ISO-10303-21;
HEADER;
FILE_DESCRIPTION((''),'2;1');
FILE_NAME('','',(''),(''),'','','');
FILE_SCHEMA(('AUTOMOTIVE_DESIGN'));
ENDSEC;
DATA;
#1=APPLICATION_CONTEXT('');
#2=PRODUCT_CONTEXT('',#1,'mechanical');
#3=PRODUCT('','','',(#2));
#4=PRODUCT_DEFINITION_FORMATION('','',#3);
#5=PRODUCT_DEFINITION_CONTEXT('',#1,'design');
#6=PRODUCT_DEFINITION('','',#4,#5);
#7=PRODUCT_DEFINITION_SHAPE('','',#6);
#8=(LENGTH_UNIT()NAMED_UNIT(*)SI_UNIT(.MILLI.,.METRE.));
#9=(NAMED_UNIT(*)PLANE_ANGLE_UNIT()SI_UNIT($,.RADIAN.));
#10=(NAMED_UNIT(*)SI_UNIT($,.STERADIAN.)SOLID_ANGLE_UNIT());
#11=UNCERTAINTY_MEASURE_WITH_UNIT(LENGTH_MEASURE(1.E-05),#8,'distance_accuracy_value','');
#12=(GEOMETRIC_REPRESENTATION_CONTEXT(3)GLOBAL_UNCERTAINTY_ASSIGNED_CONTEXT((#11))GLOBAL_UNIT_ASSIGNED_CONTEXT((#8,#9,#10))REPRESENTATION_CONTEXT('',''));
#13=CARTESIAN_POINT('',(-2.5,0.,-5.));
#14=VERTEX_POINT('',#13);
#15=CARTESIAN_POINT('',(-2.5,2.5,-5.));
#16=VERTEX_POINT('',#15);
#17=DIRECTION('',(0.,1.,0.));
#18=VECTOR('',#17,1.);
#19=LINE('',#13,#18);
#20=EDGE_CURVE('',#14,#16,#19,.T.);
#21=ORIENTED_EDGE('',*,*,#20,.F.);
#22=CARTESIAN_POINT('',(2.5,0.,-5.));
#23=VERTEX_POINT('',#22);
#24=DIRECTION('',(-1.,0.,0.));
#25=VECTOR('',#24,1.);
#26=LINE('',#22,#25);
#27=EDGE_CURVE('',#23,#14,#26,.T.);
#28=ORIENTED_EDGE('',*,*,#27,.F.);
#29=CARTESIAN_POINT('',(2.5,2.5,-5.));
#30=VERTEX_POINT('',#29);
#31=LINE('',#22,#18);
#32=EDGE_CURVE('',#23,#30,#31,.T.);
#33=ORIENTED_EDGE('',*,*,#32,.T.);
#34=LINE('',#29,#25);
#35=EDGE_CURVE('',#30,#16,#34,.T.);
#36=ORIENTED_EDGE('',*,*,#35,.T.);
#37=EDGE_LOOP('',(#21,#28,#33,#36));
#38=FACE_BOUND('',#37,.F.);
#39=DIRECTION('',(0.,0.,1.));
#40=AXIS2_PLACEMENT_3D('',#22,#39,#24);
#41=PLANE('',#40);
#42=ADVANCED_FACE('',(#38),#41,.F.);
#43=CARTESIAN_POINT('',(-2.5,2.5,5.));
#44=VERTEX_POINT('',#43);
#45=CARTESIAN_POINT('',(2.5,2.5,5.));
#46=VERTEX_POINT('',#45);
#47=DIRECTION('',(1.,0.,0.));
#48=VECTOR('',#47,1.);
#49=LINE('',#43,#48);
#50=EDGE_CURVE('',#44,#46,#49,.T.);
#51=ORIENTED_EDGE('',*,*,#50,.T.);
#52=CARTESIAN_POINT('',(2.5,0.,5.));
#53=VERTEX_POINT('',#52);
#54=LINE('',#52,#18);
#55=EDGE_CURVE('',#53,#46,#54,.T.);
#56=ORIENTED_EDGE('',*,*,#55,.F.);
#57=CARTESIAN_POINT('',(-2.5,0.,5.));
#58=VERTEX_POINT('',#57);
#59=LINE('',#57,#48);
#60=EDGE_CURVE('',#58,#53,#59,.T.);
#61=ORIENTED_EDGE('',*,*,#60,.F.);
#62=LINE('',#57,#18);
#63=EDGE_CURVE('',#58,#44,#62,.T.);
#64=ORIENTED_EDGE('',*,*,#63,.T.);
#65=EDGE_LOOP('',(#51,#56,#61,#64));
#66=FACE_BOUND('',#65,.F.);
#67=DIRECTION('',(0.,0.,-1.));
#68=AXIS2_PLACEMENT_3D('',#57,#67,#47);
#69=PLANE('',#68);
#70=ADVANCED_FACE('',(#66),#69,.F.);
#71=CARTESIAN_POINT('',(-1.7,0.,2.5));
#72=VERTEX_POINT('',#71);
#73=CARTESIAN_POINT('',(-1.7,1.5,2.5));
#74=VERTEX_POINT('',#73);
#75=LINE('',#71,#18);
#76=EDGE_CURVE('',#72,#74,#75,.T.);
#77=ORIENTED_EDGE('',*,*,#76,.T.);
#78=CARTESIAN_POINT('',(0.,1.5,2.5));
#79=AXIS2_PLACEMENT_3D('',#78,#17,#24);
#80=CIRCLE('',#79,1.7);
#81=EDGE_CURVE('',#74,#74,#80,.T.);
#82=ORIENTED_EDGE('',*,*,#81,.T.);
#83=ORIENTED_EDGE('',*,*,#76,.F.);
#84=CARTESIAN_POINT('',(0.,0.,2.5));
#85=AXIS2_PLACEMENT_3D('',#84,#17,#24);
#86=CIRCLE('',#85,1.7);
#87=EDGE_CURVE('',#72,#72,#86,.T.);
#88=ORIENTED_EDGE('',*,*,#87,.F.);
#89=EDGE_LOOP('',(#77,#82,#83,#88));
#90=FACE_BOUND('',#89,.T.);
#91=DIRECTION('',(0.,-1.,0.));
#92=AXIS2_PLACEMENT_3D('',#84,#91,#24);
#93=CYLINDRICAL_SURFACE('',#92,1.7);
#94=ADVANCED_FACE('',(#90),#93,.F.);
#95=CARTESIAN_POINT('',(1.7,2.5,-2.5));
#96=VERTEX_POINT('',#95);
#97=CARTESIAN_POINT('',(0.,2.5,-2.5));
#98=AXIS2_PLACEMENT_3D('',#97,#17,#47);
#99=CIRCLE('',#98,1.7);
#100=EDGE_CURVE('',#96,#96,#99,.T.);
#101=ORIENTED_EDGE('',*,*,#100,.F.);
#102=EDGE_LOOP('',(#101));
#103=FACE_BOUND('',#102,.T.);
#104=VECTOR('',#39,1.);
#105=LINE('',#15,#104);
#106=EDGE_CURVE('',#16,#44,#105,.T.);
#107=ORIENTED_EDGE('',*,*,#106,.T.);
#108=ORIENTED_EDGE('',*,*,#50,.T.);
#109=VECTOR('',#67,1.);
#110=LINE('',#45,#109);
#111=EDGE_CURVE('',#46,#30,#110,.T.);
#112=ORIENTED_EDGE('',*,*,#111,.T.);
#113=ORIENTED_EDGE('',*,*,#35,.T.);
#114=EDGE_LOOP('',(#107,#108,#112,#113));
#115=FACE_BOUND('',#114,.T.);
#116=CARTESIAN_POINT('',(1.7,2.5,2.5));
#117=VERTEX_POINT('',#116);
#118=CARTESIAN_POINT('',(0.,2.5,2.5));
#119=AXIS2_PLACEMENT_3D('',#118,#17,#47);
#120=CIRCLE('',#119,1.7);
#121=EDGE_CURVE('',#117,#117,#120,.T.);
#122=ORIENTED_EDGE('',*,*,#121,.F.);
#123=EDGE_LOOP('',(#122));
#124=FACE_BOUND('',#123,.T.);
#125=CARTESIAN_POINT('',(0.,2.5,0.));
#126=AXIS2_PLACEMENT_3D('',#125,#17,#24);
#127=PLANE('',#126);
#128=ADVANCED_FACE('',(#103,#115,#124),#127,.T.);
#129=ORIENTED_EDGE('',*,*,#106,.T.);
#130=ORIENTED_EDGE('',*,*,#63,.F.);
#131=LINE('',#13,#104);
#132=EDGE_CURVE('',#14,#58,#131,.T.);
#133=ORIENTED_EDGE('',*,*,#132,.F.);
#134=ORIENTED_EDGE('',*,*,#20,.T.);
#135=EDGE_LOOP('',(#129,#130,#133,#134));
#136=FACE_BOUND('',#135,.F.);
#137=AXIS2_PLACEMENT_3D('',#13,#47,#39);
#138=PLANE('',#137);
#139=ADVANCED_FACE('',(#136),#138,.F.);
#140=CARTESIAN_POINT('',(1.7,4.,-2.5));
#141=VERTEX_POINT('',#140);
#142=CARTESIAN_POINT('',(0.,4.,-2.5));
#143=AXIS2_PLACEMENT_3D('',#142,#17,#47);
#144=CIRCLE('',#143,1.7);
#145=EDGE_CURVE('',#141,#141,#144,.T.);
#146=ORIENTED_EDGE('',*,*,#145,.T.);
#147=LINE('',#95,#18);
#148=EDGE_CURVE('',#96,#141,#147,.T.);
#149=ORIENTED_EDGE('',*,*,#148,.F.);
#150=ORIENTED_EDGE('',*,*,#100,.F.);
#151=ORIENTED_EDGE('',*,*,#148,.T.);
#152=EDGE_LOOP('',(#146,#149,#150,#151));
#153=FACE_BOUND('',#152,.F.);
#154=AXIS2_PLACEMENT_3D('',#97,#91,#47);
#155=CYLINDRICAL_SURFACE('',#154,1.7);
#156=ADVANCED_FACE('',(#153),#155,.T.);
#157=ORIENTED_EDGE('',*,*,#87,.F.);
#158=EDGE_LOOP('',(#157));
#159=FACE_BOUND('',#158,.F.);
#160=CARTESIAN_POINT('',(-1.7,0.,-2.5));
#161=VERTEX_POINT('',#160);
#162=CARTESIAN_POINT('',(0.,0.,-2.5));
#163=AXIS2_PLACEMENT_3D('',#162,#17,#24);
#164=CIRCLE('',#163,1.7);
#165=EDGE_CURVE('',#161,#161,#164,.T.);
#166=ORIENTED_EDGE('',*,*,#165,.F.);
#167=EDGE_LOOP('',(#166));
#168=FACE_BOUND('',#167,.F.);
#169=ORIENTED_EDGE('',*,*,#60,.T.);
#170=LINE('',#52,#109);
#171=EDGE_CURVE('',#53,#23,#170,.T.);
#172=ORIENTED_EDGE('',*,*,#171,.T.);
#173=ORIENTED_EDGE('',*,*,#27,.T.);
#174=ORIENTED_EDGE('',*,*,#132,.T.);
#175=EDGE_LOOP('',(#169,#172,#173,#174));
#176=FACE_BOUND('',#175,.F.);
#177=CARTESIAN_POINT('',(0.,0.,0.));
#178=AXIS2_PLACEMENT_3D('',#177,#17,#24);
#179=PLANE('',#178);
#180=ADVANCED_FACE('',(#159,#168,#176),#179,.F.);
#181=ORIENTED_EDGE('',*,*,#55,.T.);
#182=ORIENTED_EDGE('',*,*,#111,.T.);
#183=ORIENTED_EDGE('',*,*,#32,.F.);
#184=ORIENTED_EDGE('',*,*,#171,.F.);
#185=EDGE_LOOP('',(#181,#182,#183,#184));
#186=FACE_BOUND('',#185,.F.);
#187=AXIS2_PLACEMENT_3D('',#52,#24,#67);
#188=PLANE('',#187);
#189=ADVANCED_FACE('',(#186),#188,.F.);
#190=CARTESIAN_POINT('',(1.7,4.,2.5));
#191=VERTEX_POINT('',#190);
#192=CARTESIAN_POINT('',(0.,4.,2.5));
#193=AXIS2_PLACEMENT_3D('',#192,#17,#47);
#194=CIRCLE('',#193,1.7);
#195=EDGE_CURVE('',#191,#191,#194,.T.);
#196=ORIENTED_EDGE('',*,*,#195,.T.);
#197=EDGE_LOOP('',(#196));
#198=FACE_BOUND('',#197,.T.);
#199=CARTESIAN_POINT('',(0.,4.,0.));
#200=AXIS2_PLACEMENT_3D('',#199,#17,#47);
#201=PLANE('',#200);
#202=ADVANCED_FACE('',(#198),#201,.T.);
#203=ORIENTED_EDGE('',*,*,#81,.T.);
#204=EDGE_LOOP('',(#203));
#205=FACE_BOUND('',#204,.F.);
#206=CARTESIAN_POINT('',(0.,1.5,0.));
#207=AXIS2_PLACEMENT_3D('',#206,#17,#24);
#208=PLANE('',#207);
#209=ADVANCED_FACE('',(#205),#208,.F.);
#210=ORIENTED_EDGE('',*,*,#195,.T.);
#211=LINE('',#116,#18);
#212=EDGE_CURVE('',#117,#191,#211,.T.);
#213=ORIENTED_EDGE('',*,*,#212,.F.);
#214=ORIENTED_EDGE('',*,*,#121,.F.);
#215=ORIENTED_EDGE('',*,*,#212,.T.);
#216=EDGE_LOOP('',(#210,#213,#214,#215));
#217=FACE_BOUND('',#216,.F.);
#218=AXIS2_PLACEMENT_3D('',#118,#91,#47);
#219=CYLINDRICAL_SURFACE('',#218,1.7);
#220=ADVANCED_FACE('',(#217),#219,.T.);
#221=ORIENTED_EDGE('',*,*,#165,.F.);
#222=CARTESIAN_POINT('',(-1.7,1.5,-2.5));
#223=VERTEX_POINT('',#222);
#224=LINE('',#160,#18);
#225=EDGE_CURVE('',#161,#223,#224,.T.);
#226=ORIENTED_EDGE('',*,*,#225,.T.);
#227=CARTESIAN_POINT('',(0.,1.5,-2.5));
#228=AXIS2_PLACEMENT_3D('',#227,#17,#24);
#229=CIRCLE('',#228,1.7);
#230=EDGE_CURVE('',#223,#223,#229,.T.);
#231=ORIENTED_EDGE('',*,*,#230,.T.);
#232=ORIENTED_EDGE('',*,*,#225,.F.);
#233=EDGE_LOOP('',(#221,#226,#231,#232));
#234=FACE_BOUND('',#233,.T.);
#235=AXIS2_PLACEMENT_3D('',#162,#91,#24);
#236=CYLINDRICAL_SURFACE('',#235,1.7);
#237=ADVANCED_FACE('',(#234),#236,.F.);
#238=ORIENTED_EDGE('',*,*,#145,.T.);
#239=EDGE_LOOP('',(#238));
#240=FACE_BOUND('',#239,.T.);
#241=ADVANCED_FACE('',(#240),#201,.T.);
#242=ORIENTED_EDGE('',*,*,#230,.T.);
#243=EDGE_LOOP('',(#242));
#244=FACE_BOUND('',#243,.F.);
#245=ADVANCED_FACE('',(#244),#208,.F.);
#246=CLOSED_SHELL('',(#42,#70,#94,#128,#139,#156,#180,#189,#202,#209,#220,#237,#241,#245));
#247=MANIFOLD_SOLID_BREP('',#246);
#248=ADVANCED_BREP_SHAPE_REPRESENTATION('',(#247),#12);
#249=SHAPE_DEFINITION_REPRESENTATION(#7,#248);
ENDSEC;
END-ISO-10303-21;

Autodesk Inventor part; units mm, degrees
ref_plane "YZ Plane" through (0, 0, 0) normal (1, 0, 0) x (0, 1, 0)
ref_plane "XZ Plane" through (0, 0, 0) normal (0, 1, 0) x (-1, 0, 0)
ref_plane "XY Plane" through (0, 0, 0) normal (0, 0, 1) x (1, 0, 0)
sketch "草圖1" plane through (0, 0, 0) normal (0, 1, 0) x (-1, 0, 0)
  line L0 (2.5, 5) -> (-2.5, 5)
  line L1 (-2.5, 5) -> (-2.5, -5)
  line L2 (-2.5, -5) -> (2.5, -5)
  line L3 (2.5, -5) -> (2.5, 5)
  circle A0 centre (0, 2.5) radius 1.7
  line L4 (2.5, 0) -> (-2.5, 0) construction
  circle A1 centre (0, -2.5) radius 1.7
  point P0 (0, 0)
  point P1 (0, -5)
  dimension "d0" = 5
  dimension "d1" = 10
  dimension "d2" = 3.4
  dimension "d3" = 2.5
  dimension "d4" = 2.5
extrude "擠出1" add sketch "草圖1" along normal blind 2.5 contours L3 L2 L1 L0 | A0 | A1
extrude "擠出2" cut sketch "草圖1" along normal blind 1.5 contours A0 | A1
sketch "草圖2" plane through (0, 2.5, 0) normal (0, 1, 0) x (1, 0, 0)
  circle A0 centre (0, -2.5) radius 1.7 projected
  circle A1 centre (0, 2.5) radius 1.7 projected
  point P0 (0, 0)
extrude "擠出3" add sketch "草圖2" along normal blind 1.5
properties part number "110033226_ipt_06_磚塊樺木(2x1)"
